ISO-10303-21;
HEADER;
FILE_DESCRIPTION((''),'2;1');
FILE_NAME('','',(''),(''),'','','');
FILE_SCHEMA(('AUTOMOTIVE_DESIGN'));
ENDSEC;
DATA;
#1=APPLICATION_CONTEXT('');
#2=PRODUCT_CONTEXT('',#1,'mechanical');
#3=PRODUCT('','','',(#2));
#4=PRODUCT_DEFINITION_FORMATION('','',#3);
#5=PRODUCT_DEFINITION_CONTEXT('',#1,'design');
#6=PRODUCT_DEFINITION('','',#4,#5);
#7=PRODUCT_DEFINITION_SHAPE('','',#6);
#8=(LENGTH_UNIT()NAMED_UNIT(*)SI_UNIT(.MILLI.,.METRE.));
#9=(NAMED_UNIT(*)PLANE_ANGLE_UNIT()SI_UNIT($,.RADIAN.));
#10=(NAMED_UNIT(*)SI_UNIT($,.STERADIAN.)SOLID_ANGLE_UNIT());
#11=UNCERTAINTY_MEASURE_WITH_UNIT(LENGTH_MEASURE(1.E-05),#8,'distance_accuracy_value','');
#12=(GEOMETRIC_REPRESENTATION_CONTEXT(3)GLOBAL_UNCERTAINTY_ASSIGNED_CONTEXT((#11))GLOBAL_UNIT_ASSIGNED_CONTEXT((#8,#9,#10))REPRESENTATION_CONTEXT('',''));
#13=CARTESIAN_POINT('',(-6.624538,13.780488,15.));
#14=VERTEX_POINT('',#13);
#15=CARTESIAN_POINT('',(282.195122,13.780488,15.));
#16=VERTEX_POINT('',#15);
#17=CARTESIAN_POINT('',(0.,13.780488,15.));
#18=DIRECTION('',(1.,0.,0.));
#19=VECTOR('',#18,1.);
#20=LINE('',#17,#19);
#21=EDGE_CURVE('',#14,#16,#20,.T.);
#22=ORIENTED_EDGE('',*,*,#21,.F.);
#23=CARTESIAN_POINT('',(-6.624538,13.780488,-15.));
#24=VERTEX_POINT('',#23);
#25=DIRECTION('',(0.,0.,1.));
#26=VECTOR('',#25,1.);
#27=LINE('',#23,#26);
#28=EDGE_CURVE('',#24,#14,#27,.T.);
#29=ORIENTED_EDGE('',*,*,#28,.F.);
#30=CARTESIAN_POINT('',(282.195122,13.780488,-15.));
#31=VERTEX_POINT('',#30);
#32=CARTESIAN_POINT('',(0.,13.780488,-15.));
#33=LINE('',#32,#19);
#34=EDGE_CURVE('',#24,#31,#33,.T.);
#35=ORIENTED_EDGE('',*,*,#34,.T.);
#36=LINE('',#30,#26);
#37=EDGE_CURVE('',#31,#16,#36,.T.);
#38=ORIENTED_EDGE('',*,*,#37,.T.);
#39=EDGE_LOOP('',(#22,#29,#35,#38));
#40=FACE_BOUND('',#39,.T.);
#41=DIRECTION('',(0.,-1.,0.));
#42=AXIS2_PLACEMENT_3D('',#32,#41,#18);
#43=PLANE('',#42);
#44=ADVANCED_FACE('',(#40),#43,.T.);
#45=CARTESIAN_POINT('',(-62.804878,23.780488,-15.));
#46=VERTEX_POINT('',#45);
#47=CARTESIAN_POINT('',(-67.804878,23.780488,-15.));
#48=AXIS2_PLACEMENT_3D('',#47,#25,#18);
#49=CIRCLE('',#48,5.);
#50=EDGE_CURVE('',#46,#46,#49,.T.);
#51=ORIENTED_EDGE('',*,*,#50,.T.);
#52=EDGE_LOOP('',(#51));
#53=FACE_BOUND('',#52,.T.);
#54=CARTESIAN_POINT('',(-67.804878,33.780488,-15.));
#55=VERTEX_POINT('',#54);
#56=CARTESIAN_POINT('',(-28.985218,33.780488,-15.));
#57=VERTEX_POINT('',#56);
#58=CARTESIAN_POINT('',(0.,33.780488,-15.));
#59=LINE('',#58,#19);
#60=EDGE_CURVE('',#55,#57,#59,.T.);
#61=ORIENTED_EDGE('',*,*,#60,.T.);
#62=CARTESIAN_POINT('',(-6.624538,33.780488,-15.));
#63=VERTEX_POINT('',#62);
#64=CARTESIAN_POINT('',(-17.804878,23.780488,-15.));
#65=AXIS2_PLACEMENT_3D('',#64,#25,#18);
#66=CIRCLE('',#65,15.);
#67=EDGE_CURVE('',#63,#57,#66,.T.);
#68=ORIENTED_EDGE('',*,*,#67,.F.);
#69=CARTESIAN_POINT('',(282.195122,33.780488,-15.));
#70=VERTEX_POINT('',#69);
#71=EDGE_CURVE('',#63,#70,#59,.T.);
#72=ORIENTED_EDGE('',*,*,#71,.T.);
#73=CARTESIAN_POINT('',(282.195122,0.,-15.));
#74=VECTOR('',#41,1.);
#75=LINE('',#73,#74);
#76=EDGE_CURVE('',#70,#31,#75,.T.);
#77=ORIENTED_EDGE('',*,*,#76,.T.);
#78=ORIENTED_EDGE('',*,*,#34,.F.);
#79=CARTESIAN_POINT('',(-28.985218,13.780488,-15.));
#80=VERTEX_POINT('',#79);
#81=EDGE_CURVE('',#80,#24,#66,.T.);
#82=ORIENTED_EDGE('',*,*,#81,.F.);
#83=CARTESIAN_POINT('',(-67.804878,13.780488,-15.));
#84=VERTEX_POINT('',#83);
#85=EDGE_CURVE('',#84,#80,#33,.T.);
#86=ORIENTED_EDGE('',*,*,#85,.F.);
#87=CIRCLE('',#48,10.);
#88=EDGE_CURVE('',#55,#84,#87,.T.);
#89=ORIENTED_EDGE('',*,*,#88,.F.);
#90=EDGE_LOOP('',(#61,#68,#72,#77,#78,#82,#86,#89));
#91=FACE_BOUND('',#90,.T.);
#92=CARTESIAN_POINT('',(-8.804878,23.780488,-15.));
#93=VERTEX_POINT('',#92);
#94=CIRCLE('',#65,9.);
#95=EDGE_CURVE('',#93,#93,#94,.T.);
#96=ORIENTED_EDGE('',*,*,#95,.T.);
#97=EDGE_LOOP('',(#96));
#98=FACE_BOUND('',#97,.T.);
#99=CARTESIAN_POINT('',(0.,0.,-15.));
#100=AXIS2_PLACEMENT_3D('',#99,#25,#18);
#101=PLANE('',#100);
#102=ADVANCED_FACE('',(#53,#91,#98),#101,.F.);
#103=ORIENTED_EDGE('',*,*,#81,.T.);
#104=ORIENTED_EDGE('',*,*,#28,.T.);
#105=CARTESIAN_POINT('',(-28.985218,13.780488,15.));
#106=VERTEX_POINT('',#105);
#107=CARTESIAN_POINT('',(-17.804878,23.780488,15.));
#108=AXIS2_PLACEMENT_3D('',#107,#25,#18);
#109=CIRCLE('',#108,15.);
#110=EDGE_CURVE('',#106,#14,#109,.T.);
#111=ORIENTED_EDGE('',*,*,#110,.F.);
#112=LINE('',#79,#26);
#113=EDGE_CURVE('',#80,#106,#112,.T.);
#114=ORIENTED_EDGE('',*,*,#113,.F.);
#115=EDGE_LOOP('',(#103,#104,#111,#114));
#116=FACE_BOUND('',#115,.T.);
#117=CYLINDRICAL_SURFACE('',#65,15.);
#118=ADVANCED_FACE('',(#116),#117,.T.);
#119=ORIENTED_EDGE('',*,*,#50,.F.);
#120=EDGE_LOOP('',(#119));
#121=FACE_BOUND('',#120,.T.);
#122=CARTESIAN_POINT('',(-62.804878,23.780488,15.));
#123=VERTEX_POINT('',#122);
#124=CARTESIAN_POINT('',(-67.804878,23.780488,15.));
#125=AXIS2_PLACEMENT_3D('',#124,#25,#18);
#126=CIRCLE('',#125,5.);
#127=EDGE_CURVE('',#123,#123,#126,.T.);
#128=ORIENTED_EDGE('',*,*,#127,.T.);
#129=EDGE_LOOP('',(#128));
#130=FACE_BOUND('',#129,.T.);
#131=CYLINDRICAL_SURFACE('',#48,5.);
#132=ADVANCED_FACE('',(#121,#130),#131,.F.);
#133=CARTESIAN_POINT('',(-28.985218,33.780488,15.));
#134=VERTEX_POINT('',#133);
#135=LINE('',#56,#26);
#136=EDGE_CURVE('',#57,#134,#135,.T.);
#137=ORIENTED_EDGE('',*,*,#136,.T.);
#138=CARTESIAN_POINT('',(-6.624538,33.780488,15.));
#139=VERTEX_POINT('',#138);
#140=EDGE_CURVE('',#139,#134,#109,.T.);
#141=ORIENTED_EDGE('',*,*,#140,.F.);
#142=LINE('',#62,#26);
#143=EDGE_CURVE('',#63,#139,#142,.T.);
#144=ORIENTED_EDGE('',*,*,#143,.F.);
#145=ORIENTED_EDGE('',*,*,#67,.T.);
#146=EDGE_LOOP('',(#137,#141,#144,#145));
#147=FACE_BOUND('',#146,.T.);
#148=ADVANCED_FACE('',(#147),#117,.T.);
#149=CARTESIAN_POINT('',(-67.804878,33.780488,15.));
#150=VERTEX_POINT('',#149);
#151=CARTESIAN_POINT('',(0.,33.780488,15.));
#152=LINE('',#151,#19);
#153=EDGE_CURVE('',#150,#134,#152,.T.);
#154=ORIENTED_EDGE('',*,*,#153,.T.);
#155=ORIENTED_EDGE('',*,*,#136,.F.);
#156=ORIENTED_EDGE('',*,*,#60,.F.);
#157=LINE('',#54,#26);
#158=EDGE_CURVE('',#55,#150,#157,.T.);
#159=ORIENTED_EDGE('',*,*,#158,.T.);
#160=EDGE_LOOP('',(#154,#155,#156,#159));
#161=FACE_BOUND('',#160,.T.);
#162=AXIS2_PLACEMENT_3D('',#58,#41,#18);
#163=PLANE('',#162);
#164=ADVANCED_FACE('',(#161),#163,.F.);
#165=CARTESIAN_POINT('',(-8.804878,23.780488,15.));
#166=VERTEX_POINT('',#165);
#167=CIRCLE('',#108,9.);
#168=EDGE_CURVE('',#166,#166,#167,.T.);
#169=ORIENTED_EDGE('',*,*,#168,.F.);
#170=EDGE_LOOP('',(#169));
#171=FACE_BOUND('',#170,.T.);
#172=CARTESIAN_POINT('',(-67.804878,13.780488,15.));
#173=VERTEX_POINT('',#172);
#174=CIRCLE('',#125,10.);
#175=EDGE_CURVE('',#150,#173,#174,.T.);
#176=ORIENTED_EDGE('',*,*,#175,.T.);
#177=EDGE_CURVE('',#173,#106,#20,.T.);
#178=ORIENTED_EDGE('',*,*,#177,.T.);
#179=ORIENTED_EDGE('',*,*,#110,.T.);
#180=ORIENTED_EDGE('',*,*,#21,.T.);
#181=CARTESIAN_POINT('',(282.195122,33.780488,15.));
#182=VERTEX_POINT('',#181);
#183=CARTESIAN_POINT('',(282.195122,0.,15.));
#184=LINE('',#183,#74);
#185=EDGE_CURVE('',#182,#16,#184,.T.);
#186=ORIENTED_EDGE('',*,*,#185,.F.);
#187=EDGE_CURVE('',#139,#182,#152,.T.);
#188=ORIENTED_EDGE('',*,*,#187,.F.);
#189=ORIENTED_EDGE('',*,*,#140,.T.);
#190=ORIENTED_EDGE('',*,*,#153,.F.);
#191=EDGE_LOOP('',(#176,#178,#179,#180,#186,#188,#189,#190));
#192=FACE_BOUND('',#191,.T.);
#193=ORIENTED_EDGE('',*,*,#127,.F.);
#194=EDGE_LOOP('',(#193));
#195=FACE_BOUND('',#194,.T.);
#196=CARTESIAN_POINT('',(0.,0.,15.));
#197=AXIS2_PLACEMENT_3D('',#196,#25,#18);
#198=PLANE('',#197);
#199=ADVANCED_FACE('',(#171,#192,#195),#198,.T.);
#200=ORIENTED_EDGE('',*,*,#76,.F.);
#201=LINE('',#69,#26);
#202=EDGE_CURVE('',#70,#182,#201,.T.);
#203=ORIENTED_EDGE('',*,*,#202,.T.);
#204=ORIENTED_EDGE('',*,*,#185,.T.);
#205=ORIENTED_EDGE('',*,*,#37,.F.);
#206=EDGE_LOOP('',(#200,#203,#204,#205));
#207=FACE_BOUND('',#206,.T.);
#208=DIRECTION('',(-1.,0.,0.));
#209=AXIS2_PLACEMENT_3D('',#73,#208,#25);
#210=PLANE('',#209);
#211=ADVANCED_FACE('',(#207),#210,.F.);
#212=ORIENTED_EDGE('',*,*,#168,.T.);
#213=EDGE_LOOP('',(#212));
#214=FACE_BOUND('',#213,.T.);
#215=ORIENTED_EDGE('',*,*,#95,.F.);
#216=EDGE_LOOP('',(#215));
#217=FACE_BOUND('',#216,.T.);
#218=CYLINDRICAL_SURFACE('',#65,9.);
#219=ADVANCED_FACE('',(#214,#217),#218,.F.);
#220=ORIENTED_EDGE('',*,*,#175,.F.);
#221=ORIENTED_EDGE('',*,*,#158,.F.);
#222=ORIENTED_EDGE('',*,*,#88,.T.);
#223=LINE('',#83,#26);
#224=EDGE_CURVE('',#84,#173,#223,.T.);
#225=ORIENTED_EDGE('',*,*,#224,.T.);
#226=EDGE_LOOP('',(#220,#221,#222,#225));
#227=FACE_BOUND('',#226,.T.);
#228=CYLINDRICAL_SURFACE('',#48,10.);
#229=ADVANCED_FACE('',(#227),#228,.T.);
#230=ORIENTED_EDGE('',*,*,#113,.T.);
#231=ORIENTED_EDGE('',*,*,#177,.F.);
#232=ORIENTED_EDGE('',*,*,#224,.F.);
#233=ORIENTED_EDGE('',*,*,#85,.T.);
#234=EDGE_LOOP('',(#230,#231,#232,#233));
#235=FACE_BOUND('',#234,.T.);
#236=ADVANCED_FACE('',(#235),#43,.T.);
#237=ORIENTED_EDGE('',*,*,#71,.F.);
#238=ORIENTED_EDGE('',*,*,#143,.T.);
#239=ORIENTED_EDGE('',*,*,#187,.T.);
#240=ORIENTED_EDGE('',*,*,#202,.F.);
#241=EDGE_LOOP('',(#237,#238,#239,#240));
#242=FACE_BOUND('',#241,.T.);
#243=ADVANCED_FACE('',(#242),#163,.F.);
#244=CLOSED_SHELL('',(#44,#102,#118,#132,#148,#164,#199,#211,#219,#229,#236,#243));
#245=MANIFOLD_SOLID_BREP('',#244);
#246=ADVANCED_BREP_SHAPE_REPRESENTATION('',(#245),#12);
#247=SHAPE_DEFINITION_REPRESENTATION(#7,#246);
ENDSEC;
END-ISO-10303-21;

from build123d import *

# Parameters (mm, degrees)
BOSS_EXTRUDE1_DEPTH      = 15
BOSS_EXTRUDE1_DEPTH_BACK = 15
SKETCH1_R                = 9
SKETCH1_R_2              = 5


with BuildPart() as part:
    # Sketch1 → Boss-Extrude1 (new, two sides: drawn at the far end of the back side and taken through both)
    with BuildSketch(Plane.XY.offset(-BOSS_EXTRUDE1_DEPTH_BACK)):
        with BuildLine():
            Line((282.195121951, 33.780487805), (-6.624538161, 33.780487805))
            ThreePointArc((-6.624538161, 33.780487805), (-17.804878049, 38.780487805), (-28.985217936, 33.780487805))
            Line((-28.985217936, 33.780487805), (-67.804878049, 33.780487805))
            ThreePointArc((-67.804878049, 33.780487805), (-77.804878049, 23.780487805), (-67.804878049, 13.780487805))
            Line((-67.804878049, 13.780487805), (-28.985217936, 13.780487805))
            ThreePointArc((-28.985217936, 13.780487805), (-17.804878049, 8.780487805), (-6.624538161, 13.780487805))
            Line((-6.624538161, 13.780487805), (282.195121951, 13.780487805))
            Line((282.195121951, 13.780487805), (282.195121951, 33.780487805))
        make_face()
        with Locations((-17.804878049, 23.780487805)):
            Circle(SKETCH1_R, mode=Mode.SUBTRACT)
        with Locations((-67.804878049, 23.780487805)):
            Circle(SKETCH1_R_2, mode=Mode.SUBTRACT)
    extrude(amount=BOSS_EXTRUDE1_DEPTH + BOSS_EXTRUDE1_DEPTH_BACK)


solid = part.part
